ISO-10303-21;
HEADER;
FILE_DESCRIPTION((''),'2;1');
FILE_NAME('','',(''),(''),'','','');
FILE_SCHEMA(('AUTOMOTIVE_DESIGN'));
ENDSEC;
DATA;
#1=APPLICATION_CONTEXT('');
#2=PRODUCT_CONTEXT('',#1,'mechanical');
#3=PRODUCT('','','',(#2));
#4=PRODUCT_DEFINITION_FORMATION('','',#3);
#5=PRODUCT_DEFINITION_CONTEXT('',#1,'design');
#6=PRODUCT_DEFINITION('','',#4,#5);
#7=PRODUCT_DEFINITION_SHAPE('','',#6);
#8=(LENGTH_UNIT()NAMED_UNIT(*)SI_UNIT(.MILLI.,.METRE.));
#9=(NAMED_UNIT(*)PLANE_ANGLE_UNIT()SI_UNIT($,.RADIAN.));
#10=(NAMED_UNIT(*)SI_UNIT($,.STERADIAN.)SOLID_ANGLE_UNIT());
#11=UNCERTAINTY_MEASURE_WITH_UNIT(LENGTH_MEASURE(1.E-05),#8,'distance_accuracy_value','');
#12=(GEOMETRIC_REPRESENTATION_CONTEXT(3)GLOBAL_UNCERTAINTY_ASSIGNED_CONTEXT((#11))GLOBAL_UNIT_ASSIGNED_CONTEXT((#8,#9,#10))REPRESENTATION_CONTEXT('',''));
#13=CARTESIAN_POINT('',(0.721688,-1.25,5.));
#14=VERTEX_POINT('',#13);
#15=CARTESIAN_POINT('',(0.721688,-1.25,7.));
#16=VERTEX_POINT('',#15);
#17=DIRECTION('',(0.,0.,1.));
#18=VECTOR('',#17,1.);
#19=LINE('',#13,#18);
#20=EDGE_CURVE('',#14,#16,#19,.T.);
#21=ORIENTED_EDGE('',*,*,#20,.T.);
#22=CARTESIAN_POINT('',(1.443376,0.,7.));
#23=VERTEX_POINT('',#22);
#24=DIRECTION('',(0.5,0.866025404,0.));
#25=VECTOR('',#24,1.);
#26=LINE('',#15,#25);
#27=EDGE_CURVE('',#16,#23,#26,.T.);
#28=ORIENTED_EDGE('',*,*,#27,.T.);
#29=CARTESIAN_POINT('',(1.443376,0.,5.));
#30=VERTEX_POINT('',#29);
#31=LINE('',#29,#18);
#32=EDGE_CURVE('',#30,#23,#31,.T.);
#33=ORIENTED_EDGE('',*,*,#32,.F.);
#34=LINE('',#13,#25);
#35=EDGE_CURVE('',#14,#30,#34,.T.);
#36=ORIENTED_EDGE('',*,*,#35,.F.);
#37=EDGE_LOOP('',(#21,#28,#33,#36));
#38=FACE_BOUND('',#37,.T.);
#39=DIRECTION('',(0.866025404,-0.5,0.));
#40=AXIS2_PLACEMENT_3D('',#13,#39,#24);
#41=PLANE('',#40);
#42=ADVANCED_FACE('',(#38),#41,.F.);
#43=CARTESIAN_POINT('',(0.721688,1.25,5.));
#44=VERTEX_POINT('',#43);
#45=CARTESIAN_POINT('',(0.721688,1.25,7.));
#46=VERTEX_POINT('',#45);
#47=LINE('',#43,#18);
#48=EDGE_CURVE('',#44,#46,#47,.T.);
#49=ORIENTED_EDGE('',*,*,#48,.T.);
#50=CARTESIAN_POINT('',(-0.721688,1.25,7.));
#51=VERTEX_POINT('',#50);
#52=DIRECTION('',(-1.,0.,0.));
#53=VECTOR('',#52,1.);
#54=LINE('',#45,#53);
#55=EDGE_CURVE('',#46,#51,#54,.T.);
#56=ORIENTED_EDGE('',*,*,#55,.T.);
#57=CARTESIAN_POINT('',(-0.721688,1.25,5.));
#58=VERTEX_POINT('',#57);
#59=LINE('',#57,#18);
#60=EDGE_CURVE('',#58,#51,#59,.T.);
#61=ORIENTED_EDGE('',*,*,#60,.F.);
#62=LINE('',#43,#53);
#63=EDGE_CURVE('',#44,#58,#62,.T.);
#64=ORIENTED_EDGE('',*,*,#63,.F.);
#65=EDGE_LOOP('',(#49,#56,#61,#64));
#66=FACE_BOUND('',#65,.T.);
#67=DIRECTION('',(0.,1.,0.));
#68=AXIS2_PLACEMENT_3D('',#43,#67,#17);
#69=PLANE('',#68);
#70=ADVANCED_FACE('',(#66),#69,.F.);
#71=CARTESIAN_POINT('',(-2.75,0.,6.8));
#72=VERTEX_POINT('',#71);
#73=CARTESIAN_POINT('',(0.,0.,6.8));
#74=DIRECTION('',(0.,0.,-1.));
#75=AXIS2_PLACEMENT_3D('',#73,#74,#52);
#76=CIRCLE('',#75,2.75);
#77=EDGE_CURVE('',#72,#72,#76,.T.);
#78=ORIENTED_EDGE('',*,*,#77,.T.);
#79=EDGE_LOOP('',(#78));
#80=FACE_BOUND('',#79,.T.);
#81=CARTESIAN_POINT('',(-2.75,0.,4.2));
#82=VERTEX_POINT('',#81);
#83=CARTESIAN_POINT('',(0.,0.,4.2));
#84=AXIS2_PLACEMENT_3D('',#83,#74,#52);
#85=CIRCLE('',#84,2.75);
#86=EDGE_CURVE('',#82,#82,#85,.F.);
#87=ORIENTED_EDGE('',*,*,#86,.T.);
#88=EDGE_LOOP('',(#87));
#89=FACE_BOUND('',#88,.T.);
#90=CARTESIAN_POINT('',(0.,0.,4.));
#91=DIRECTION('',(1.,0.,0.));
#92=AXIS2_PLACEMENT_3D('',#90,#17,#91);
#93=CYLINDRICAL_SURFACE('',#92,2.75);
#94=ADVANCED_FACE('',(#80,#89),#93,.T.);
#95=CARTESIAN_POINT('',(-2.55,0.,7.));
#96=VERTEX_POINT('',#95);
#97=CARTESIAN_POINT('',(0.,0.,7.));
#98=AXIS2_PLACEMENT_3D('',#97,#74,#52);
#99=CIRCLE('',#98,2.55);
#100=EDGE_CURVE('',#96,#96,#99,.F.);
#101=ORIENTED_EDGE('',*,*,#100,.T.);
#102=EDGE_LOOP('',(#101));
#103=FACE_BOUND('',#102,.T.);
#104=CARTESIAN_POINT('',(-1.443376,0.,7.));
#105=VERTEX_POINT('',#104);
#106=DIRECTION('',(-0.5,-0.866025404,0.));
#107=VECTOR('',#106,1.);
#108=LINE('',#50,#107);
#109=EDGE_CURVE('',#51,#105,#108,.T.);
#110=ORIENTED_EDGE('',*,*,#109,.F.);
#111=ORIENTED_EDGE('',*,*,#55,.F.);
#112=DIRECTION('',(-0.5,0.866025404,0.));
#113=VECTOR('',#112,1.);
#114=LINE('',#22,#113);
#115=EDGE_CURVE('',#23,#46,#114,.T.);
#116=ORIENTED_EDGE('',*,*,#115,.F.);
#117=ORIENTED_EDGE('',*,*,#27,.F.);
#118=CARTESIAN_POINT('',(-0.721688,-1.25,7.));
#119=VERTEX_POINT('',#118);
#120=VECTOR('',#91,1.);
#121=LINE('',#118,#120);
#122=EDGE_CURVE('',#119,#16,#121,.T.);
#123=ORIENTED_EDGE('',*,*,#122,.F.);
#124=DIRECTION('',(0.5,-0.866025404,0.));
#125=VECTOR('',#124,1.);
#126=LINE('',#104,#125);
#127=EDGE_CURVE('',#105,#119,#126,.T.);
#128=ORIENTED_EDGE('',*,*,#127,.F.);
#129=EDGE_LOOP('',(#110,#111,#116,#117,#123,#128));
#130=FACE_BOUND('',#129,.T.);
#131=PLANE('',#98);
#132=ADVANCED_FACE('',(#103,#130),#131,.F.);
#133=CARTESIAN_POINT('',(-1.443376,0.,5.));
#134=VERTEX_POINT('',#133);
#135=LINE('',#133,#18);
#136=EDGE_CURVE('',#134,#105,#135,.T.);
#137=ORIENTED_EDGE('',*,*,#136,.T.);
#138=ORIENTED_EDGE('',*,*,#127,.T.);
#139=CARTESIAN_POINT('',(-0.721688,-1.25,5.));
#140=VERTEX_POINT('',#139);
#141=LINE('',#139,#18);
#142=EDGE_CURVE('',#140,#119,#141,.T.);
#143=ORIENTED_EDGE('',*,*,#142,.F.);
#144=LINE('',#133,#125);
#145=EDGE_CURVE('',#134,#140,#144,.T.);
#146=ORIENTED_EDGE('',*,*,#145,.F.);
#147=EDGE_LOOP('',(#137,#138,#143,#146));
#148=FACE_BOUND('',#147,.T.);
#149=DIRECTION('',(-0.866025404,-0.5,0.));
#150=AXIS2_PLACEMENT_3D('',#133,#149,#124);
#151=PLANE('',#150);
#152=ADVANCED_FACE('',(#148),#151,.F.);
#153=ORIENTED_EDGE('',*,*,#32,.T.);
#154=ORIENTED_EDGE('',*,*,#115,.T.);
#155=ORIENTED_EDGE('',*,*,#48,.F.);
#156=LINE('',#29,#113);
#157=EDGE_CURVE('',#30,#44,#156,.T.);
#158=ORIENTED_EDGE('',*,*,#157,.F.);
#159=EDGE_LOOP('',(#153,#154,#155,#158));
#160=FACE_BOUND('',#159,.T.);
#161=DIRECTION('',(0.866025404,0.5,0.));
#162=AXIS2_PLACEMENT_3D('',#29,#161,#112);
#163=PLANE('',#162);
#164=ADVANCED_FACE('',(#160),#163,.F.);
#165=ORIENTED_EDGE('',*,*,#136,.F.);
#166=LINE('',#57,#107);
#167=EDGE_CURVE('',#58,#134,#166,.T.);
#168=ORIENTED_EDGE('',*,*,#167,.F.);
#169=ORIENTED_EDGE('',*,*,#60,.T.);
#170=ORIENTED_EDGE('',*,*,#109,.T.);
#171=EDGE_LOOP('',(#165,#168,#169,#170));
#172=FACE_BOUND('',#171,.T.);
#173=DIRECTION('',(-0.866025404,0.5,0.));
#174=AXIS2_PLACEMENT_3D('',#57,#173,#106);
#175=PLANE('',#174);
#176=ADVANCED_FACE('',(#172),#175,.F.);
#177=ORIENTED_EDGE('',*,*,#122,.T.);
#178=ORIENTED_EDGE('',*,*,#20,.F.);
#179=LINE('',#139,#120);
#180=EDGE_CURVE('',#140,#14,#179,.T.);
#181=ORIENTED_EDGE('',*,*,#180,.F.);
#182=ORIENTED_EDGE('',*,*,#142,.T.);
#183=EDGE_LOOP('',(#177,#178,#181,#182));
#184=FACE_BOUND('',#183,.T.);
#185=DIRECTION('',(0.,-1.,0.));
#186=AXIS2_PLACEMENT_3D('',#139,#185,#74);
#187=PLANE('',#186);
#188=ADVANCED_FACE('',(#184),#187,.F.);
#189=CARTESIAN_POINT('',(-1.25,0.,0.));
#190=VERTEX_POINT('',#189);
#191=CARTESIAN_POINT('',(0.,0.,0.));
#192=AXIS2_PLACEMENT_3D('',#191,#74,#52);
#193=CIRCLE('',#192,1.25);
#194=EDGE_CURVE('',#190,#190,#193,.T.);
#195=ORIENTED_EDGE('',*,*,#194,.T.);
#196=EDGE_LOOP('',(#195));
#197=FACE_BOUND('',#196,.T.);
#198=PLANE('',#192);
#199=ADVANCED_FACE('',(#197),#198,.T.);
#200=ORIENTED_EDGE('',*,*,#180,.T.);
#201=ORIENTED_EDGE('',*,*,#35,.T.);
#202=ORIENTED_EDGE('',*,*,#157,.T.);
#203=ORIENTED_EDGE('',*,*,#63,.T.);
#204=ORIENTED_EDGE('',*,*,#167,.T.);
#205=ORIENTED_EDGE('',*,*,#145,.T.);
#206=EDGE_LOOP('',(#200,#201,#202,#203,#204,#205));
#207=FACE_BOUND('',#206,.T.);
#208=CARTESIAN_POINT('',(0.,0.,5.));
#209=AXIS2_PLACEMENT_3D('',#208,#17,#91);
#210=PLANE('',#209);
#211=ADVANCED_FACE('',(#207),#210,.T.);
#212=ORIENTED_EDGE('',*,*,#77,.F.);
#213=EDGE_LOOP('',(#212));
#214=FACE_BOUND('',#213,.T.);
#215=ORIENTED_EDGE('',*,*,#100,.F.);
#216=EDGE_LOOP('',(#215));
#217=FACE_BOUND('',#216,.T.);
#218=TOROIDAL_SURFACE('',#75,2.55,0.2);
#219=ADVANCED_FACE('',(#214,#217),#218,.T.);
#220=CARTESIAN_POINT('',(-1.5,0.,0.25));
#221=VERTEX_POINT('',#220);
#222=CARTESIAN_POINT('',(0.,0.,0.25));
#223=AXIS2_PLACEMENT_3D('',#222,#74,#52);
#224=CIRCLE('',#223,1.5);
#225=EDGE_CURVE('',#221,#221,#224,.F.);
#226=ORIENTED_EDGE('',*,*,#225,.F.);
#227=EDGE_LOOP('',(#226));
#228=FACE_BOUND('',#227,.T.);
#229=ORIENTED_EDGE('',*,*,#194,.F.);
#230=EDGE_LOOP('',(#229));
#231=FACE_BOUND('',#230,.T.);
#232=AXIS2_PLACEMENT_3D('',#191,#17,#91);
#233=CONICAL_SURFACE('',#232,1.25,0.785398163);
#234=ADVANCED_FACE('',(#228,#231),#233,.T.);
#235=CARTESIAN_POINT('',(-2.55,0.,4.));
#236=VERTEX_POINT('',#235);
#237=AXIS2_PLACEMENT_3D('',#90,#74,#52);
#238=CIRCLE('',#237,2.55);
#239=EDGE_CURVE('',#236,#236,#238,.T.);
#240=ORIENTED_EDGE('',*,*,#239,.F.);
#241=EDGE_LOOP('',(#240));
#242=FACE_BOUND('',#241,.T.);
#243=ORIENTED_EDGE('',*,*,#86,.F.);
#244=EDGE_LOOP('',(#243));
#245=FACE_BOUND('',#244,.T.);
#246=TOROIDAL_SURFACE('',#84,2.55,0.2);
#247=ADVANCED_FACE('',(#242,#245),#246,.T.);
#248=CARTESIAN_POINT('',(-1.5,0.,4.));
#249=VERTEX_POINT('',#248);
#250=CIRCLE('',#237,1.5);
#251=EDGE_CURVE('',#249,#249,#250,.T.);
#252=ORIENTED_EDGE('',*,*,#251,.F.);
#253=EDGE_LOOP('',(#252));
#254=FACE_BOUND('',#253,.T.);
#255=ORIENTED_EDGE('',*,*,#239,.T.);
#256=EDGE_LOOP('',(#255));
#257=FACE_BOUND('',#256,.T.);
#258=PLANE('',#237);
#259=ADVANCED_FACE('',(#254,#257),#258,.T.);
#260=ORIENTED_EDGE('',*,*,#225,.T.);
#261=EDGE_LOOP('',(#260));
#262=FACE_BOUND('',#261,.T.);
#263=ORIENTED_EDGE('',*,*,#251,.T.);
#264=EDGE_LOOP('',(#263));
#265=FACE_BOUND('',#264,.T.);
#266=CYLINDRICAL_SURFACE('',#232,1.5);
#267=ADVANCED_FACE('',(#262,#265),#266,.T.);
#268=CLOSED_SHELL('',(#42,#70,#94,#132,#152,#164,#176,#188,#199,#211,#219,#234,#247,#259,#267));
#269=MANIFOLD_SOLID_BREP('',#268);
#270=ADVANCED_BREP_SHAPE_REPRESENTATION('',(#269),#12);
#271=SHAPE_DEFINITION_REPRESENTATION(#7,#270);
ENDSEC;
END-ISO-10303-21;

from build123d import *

# Parameters (mm, degrees)
SKETCH1_R           = 2.75
BOSS_EXTRUDE1_DEPTH = 3
SKETCH2_R           = 1.5
BOSS_EXTRUDE2_DEPTH = 4
CUT_EXTRUDE1_DEPTH  = 2
CHAMFER1_SIZE       = 0.25
FILLET1_R           = 0.2


with BuildPart() as part:
    # Sketch1 → Boss-Extrude1 (new body)
    with BuildSketch(Plane.XY.offset(7)):
        Circle(SKETCH1_R)
    extrude(amount=-BOSS_EXTRUDE1_DEPTH)

    # Sketch2 → Boss-Extrude2 (add)
    with BuildSketch(Plane(origin=(0, 0, 4), x_dir=(-1, 0, 0), z_dir=(0, 0, -1))):
        Circle(SKETCH2_R)
    extrude(amount=BOSS_EXTRUDE2_DEPTH)

    # Sketch3 → Cut-Extrude1 (cut)
    with BuildSketch(Plane.XY.offset(7)):
        Polygon((-1.443375673, 0), (-0.721687836, -1.25), (0.721687836, -1.25), (1.443375673, 0), (0.721687836, 1.25), (-0.721687836, 1.25), align=None)
    extrude(amount=-CUT_EXTRUDE1_DEPTH, mode=Mode.SUBTRACT)

    # Chamfer1
    chamfer1_edges = [part.edges().sort_by_distance(p)[0] for p in [
        (1.5, 0, 0),
    ]]
    chamfer(chamfer1_edges, length=CHAMFER1_SIZE)

    # Fillet1
    fillet1_edges = [part.edges().sort_by_distance(p)[0] for p in [
        (-2.75, 0, 4),
        (-2.75, 0, 7),
    ]]
    fillet(fillet1_edges, radius=FILLET1_R)


solid = part.part
